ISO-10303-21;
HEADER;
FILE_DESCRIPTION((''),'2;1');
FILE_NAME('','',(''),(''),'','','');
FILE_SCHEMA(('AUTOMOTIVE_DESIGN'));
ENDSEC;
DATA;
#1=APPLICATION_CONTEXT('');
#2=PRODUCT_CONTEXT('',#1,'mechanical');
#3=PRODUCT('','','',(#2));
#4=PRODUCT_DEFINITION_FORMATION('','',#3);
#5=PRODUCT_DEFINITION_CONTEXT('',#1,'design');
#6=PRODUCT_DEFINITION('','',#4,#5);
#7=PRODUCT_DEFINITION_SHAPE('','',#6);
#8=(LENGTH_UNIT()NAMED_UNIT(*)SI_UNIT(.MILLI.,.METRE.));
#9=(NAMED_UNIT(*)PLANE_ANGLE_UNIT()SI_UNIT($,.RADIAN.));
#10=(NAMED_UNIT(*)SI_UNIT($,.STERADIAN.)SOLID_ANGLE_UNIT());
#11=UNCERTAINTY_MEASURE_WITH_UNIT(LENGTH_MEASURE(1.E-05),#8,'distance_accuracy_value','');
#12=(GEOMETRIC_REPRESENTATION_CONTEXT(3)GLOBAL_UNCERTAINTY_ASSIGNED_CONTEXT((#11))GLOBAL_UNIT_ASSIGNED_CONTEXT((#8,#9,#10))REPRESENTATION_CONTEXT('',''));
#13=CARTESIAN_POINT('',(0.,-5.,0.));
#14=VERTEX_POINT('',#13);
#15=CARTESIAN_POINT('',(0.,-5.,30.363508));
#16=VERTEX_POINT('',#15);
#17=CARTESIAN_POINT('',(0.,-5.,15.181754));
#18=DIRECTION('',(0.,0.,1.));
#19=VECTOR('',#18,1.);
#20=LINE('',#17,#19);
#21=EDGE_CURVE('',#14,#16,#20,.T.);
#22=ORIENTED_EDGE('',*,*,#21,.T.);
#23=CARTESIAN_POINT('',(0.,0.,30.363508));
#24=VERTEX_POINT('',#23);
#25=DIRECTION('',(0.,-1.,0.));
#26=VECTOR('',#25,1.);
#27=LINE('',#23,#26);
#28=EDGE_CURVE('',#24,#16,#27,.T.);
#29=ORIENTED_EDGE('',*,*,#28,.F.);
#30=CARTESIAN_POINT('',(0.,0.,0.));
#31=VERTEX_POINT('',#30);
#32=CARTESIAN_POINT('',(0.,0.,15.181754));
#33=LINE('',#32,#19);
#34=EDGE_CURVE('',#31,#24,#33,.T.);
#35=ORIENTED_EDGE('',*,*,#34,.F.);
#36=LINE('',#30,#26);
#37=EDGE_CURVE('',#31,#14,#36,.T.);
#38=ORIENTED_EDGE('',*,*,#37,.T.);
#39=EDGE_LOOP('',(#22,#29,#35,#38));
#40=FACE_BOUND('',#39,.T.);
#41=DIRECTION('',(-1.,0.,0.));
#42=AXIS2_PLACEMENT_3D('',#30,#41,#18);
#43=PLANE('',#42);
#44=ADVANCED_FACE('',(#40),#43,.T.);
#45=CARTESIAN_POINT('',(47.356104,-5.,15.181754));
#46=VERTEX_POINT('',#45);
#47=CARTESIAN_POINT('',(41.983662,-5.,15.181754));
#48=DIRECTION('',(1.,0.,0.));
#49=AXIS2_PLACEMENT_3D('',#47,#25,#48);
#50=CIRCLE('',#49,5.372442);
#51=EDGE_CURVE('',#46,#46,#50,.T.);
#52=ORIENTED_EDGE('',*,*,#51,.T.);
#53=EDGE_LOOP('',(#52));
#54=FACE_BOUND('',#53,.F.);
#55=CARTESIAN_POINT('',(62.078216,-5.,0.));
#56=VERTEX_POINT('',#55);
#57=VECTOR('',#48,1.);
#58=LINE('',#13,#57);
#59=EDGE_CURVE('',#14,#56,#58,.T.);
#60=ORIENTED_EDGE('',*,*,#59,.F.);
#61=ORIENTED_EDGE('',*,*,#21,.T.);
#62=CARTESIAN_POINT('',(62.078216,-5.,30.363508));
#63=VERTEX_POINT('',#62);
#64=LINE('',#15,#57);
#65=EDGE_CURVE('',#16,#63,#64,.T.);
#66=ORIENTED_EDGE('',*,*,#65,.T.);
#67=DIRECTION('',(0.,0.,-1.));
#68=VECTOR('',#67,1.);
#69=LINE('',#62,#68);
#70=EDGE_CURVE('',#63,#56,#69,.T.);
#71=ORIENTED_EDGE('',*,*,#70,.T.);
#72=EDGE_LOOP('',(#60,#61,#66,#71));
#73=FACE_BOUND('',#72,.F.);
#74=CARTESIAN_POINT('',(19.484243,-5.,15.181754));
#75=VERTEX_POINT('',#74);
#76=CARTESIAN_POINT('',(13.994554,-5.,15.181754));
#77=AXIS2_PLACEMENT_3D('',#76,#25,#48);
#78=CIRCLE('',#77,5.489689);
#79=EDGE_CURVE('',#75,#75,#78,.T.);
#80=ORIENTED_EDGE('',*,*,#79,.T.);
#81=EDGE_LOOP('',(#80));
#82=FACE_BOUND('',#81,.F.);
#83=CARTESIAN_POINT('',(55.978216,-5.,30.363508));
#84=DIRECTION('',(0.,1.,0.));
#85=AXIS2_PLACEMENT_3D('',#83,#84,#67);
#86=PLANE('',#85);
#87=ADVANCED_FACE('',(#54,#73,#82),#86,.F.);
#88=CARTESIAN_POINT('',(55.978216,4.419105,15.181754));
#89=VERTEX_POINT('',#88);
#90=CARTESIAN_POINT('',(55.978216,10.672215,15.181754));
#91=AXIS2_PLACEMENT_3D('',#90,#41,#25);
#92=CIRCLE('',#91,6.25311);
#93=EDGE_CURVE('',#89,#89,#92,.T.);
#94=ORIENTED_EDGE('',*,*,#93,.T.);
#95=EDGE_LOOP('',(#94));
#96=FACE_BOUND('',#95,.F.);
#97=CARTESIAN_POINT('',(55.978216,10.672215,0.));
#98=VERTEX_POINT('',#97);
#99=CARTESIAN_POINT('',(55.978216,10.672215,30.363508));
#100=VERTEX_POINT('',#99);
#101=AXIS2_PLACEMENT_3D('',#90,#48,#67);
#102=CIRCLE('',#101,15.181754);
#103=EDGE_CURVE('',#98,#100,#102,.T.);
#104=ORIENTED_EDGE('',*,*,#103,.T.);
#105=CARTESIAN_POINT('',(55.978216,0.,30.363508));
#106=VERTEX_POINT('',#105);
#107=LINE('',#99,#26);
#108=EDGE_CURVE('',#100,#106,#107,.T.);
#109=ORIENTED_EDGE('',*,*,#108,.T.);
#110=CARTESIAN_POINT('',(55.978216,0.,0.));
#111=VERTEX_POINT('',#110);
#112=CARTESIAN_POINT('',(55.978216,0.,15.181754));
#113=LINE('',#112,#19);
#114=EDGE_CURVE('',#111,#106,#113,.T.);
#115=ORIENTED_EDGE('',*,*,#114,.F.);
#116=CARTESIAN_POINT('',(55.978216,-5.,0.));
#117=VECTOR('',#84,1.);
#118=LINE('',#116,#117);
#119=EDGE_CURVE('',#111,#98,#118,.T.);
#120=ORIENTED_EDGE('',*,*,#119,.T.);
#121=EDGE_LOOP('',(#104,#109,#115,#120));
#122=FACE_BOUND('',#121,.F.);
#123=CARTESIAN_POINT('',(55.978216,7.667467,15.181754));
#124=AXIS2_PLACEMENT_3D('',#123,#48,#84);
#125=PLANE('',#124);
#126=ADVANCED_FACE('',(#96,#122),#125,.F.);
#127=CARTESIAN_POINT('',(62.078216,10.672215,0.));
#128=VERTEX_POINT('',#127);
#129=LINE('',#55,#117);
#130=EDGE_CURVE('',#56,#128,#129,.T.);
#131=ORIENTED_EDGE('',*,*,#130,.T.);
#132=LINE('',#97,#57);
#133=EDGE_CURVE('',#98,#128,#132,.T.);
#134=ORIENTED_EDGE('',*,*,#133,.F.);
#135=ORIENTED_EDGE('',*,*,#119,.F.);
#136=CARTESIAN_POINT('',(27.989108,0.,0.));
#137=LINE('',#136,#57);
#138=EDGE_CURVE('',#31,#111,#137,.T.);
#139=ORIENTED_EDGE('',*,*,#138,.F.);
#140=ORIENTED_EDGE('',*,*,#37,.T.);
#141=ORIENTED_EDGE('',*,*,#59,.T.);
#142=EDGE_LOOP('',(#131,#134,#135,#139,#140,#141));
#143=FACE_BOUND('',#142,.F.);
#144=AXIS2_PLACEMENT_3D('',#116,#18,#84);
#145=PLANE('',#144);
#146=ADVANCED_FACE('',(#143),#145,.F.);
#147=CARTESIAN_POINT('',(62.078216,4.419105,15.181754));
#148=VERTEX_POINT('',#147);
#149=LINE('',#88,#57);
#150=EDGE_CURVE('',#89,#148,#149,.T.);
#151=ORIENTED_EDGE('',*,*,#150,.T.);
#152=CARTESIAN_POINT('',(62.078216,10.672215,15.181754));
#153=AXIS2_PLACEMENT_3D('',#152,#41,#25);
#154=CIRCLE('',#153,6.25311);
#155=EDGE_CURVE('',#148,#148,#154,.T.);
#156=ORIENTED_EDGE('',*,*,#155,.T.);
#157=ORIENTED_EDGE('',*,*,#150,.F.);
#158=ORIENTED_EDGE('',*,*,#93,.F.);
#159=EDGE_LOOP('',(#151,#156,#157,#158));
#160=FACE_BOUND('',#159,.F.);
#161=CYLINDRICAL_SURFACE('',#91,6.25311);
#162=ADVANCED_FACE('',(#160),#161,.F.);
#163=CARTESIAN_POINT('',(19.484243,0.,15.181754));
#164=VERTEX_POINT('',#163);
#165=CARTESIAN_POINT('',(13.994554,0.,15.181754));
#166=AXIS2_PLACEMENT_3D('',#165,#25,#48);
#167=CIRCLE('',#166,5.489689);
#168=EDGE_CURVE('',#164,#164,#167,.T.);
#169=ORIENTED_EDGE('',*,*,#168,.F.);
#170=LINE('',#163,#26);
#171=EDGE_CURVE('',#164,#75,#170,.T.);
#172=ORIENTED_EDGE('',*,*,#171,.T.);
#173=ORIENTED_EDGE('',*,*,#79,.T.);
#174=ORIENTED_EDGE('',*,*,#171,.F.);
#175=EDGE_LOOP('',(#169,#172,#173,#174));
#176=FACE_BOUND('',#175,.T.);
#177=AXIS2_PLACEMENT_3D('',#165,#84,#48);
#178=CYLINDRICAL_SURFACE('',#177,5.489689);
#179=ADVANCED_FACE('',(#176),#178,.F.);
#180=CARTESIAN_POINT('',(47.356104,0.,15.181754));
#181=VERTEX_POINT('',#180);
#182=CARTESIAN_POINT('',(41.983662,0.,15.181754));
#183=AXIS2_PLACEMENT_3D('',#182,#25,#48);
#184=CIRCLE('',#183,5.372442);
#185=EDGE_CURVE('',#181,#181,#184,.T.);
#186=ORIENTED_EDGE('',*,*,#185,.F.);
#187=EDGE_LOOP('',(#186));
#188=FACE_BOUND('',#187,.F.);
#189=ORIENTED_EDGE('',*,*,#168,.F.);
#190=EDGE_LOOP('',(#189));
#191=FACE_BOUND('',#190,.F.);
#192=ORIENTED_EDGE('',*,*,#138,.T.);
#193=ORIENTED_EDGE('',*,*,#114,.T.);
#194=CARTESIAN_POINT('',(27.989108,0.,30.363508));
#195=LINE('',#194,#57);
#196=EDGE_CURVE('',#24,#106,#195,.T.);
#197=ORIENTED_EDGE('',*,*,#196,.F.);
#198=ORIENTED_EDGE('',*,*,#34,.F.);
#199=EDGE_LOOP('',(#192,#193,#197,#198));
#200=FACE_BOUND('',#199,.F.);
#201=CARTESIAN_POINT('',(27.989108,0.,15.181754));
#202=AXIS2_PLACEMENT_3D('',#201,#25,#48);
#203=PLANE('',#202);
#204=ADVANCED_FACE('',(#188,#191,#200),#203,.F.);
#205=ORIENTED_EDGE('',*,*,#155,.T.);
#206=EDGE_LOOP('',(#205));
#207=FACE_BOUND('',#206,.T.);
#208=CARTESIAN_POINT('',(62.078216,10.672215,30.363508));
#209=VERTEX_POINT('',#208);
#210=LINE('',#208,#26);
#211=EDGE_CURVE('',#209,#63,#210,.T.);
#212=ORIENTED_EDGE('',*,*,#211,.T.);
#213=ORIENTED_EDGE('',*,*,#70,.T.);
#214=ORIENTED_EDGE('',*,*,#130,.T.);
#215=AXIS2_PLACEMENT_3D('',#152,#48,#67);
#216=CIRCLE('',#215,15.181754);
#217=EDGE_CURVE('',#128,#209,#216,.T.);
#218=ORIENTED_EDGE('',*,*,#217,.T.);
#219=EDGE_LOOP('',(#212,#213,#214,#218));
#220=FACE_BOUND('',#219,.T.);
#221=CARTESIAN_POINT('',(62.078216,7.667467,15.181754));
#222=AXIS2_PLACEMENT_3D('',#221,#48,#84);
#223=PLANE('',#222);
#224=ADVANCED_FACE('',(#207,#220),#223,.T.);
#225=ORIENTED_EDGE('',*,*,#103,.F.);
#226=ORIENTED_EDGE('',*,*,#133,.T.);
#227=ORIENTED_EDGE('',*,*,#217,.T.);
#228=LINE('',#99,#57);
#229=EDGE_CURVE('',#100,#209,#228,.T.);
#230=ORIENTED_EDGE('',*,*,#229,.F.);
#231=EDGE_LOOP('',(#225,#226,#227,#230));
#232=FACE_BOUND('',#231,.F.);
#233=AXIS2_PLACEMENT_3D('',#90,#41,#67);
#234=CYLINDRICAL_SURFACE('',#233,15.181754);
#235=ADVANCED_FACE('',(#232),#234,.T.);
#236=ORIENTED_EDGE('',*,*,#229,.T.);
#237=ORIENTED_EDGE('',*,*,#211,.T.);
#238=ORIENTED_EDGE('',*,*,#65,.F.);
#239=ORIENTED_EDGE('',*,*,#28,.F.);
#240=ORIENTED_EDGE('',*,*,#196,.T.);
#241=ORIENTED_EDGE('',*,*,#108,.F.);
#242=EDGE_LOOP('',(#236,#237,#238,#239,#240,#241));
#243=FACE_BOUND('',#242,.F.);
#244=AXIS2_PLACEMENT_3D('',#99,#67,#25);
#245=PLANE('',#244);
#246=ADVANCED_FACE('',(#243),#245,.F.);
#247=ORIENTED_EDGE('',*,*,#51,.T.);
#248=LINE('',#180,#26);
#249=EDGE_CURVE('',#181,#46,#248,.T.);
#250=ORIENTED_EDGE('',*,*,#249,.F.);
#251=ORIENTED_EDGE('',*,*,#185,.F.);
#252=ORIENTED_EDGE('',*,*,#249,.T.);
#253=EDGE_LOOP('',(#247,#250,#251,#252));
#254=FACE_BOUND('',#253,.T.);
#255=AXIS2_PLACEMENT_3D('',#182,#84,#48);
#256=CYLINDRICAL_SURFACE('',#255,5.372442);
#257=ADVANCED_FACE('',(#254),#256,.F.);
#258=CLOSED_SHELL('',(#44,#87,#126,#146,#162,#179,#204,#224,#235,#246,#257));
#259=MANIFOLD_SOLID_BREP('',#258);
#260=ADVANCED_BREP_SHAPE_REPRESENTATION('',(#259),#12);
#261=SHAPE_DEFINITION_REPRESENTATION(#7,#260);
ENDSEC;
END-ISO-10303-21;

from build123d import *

# Parameters (mm, degrees)
F0_W     = 55.978216
F0_H     = 30.363508
F0_R     = 5.489689
F0_R_2   = 5.372442
F1_DEPTH = 5
F3_DEPTH = 6.1
F4_R     = 6.25311
F5_DEPTH = 25


with BuildPart() as f1:
    # F0 (on Front) → F1 (new body)
    with BuildSketch(Plane.XZ):
        with Locations((27.989108, 15.181754)):
            Rectangle(F0_W, F0_H)
        with Locations((13.994554, 15.181754)):
            Circle(F0_R, mode=Mode.SUBTRACT)
        with Locations((41.983662, 15.181754)):
            Circle(F0_R_2, mode=Mode.SUBTRACT)
    extrude(amount=F1_DEPTH)

    # F2 (on face) → F3 (join)
    with BuildSketch(Plane.YZ.offset(55.978216)):
        with BuildLine():
            Line((10.672215, 30.363508), (0, 30.363508))
            Line((0, 30.363508), (-5, 30.363508))
            Line((-5, 30.363508), (-5, 0))
            Line((-5, 0), (0, 0))
            Line((0, 0), (10.672215, 0))
            ThreePointArc((10.672215, 0), (25.853969, 15.181754), (10.672215, 30.363508))
        make_face()
    extrude(amount=F3_DEPTH)

    # F4 (on face) → F5 (cut)
    with BuildSketch(Plane(origin=(55.978216, 0, 0), x_dir=(0, -1, 0), z_dir=(-1, 0, 0))):
        with Locations((-10.672215, 15.181754)):
            Circle(F4_R)
    extrude(amount=-F5_DEPTH, mode=Mode.SUBTRACT)


solid = f1.part
